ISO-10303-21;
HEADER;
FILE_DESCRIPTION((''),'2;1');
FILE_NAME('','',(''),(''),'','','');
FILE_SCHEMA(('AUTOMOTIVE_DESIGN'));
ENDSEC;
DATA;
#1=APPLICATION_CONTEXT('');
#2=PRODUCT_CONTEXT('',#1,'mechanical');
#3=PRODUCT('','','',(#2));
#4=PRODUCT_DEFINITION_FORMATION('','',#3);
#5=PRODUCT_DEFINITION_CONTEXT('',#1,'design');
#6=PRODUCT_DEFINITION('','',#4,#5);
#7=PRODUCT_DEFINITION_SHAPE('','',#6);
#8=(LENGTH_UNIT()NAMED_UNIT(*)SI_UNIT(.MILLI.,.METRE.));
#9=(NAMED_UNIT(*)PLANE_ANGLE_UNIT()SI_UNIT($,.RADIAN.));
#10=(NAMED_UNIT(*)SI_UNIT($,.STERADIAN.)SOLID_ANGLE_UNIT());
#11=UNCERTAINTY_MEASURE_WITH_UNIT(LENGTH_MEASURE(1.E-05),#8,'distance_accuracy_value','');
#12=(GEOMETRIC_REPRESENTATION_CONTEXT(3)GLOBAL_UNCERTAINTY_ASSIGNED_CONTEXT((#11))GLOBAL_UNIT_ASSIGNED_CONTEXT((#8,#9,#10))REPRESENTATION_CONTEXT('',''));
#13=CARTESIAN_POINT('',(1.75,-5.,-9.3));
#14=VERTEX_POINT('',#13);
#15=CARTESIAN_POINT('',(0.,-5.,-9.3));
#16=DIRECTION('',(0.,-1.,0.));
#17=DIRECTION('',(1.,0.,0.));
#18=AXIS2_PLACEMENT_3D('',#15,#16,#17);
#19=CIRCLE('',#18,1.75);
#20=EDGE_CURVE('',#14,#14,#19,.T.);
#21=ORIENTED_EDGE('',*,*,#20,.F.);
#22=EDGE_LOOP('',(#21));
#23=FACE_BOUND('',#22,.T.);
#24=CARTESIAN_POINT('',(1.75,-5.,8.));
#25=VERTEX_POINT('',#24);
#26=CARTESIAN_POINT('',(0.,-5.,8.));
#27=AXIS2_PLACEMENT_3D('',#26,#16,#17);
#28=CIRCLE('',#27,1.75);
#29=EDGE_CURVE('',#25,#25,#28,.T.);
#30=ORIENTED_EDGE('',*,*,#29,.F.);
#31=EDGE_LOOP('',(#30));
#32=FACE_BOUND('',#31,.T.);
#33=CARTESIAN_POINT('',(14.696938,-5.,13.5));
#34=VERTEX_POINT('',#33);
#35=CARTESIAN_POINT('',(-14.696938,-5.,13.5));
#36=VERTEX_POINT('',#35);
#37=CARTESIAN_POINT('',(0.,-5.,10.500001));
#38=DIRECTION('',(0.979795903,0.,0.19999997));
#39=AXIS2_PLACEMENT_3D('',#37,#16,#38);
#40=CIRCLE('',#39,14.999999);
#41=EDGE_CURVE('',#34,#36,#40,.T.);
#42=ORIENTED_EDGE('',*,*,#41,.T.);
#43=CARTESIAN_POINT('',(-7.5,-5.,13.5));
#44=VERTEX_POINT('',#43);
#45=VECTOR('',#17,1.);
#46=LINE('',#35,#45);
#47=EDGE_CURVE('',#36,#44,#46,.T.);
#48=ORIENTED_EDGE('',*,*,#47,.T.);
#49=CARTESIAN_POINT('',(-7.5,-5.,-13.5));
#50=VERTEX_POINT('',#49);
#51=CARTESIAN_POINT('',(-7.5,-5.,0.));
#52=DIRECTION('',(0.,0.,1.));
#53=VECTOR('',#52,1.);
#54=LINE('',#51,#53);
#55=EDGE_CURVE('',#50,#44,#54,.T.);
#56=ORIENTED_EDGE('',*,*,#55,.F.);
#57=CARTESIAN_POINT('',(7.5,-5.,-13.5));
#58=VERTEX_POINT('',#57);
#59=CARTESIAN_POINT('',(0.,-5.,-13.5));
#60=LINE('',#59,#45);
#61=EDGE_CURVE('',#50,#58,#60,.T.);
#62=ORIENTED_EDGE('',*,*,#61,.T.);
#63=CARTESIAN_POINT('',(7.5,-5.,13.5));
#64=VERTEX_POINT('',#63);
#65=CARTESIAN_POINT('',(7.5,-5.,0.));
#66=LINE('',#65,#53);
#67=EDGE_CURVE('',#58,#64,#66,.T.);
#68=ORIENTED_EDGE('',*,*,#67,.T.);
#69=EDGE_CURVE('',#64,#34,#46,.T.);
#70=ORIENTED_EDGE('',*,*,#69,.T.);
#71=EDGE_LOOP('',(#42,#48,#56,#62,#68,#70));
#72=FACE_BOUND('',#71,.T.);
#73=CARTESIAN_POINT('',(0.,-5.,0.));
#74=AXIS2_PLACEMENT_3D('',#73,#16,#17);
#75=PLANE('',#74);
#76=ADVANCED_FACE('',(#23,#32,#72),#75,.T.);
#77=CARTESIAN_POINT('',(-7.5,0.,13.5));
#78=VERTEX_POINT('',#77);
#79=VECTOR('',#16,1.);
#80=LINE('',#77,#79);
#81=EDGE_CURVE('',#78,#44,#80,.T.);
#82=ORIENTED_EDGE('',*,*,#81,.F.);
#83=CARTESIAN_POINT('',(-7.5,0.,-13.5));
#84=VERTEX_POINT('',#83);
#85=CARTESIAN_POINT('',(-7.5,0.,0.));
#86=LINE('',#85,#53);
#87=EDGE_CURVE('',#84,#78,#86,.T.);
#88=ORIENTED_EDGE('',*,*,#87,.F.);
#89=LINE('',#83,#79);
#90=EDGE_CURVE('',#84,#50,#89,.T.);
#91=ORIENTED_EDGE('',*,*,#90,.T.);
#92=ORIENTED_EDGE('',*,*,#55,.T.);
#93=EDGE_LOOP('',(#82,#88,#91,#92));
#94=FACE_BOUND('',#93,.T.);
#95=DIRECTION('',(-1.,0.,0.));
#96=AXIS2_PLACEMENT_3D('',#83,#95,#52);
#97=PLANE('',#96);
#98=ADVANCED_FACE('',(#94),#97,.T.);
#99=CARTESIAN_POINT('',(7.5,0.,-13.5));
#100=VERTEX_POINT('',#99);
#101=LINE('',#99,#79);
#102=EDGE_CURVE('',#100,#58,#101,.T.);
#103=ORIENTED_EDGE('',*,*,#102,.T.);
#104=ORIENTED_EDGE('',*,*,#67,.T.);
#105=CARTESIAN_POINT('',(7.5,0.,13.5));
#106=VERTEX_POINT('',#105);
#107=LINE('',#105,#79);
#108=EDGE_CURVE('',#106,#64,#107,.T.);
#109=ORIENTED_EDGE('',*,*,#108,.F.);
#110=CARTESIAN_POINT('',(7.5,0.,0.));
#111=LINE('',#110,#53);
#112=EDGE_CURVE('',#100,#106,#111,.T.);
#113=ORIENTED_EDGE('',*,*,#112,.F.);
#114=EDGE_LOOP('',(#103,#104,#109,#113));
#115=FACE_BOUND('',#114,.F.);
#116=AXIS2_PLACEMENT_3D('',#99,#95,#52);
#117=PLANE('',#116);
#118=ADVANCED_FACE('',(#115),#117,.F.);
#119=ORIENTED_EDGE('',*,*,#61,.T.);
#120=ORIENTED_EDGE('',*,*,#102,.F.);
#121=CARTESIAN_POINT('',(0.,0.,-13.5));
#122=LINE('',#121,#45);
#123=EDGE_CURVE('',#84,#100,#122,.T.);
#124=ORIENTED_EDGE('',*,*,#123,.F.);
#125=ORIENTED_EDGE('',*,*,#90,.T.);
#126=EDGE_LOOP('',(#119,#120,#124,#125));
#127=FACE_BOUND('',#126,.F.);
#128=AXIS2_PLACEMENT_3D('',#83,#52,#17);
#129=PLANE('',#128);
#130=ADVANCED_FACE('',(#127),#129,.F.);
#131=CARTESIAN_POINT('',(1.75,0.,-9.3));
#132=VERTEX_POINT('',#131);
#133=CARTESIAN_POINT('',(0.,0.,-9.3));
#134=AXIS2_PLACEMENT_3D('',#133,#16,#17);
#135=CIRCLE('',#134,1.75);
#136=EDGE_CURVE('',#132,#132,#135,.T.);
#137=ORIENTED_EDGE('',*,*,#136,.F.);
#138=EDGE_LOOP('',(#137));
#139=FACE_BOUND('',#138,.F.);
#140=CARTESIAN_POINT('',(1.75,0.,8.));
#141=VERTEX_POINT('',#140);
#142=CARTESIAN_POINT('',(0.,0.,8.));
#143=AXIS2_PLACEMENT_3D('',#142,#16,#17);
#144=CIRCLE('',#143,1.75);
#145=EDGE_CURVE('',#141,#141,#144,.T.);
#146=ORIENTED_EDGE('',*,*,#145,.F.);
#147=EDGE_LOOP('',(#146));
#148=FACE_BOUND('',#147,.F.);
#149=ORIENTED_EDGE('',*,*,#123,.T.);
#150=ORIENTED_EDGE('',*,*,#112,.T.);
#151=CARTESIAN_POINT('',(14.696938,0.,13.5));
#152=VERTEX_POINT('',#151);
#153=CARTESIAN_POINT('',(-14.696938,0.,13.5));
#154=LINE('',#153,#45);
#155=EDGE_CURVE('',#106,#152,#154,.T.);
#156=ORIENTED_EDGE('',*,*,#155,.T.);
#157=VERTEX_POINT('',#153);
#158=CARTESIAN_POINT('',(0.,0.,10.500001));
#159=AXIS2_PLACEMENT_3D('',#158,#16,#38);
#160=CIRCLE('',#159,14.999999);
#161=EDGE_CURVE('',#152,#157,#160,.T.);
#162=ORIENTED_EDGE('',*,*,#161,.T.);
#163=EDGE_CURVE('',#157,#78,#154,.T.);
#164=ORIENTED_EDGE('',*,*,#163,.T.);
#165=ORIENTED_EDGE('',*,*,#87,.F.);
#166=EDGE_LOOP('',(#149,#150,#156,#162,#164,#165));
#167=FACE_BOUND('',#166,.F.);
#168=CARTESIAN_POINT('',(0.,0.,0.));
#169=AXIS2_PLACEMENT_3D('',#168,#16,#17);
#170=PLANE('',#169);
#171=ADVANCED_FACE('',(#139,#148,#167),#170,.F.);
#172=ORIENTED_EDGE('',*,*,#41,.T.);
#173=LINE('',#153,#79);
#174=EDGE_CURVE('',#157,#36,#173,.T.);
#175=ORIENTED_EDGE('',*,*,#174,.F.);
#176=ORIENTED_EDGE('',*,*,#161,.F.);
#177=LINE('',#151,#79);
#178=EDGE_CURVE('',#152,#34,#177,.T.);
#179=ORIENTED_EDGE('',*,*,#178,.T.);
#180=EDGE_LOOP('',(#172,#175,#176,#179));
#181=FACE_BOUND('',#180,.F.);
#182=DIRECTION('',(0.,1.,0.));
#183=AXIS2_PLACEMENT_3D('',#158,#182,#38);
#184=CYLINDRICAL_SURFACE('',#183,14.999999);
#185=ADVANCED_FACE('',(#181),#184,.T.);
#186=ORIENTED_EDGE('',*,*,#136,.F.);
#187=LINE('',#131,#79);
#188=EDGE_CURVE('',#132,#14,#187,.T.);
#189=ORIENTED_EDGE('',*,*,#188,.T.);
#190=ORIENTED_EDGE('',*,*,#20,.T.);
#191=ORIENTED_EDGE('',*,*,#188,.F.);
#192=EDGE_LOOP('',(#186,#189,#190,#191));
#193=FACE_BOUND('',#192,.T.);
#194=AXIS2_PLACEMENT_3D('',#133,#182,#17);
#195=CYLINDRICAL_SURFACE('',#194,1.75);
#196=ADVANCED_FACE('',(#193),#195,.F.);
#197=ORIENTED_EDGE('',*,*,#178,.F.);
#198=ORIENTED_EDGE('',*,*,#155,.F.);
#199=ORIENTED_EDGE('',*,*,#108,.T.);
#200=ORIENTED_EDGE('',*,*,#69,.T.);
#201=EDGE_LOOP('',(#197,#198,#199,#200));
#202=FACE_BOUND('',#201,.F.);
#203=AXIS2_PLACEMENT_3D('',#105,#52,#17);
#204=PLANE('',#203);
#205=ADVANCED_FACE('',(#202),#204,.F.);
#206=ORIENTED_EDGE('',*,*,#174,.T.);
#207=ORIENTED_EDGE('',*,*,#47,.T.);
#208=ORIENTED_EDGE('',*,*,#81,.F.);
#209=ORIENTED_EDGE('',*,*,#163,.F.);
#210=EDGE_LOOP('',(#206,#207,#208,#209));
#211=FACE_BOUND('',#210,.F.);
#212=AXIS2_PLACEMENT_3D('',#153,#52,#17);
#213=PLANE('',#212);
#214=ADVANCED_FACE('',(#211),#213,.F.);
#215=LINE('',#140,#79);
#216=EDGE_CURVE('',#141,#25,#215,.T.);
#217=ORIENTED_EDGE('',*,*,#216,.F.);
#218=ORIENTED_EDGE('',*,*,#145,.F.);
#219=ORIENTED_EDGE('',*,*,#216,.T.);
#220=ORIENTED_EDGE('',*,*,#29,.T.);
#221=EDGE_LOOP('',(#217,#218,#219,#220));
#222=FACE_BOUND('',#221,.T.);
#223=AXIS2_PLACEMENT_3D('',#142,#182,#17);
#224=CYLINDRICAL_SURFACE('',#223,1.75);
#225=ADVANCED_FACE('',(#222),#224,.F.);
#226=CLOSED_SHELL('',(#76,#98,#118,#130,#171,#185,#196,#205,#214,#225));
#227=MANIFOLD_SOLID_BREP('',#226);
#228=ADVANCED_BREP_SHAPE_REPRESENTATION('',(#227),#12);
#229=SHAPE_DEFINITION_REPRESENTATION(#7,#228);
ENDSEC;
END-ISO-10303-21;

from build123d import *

# Parameters (mm, degrees)
F0_W     = 15
F0_H     = 27
F0_R     = 1.75
F1_DEPTH = 5


with BuildPart() as f1:
    # F0 (on Front) → F1 (new body)
    with BuildSketch(Plane.XZ):
        Rectangle(F0_W, F0_H)
        with Locations((0, -9.3)):
            Circle(F0_R, mode=Mode.SUBTRACT)
        with Locations((0, 8)):
            Circle(F0_R, mode=Mode.SUBTRACT)
        with BuildLine():
            Line((-7.5, 13.5), (7.5, 13.5))
            Line((7.5, 13.5), (14.696938, 13.5))
            ThreePointArc((14.696938, 13.5), (0, 25.5), (-14.696938, 13.5))
            Line((-14.696938, 13.5), (-7.5, 13.5))
        make_face()
    extrude(amount=F1_DEPTH)


solid = f1.part
